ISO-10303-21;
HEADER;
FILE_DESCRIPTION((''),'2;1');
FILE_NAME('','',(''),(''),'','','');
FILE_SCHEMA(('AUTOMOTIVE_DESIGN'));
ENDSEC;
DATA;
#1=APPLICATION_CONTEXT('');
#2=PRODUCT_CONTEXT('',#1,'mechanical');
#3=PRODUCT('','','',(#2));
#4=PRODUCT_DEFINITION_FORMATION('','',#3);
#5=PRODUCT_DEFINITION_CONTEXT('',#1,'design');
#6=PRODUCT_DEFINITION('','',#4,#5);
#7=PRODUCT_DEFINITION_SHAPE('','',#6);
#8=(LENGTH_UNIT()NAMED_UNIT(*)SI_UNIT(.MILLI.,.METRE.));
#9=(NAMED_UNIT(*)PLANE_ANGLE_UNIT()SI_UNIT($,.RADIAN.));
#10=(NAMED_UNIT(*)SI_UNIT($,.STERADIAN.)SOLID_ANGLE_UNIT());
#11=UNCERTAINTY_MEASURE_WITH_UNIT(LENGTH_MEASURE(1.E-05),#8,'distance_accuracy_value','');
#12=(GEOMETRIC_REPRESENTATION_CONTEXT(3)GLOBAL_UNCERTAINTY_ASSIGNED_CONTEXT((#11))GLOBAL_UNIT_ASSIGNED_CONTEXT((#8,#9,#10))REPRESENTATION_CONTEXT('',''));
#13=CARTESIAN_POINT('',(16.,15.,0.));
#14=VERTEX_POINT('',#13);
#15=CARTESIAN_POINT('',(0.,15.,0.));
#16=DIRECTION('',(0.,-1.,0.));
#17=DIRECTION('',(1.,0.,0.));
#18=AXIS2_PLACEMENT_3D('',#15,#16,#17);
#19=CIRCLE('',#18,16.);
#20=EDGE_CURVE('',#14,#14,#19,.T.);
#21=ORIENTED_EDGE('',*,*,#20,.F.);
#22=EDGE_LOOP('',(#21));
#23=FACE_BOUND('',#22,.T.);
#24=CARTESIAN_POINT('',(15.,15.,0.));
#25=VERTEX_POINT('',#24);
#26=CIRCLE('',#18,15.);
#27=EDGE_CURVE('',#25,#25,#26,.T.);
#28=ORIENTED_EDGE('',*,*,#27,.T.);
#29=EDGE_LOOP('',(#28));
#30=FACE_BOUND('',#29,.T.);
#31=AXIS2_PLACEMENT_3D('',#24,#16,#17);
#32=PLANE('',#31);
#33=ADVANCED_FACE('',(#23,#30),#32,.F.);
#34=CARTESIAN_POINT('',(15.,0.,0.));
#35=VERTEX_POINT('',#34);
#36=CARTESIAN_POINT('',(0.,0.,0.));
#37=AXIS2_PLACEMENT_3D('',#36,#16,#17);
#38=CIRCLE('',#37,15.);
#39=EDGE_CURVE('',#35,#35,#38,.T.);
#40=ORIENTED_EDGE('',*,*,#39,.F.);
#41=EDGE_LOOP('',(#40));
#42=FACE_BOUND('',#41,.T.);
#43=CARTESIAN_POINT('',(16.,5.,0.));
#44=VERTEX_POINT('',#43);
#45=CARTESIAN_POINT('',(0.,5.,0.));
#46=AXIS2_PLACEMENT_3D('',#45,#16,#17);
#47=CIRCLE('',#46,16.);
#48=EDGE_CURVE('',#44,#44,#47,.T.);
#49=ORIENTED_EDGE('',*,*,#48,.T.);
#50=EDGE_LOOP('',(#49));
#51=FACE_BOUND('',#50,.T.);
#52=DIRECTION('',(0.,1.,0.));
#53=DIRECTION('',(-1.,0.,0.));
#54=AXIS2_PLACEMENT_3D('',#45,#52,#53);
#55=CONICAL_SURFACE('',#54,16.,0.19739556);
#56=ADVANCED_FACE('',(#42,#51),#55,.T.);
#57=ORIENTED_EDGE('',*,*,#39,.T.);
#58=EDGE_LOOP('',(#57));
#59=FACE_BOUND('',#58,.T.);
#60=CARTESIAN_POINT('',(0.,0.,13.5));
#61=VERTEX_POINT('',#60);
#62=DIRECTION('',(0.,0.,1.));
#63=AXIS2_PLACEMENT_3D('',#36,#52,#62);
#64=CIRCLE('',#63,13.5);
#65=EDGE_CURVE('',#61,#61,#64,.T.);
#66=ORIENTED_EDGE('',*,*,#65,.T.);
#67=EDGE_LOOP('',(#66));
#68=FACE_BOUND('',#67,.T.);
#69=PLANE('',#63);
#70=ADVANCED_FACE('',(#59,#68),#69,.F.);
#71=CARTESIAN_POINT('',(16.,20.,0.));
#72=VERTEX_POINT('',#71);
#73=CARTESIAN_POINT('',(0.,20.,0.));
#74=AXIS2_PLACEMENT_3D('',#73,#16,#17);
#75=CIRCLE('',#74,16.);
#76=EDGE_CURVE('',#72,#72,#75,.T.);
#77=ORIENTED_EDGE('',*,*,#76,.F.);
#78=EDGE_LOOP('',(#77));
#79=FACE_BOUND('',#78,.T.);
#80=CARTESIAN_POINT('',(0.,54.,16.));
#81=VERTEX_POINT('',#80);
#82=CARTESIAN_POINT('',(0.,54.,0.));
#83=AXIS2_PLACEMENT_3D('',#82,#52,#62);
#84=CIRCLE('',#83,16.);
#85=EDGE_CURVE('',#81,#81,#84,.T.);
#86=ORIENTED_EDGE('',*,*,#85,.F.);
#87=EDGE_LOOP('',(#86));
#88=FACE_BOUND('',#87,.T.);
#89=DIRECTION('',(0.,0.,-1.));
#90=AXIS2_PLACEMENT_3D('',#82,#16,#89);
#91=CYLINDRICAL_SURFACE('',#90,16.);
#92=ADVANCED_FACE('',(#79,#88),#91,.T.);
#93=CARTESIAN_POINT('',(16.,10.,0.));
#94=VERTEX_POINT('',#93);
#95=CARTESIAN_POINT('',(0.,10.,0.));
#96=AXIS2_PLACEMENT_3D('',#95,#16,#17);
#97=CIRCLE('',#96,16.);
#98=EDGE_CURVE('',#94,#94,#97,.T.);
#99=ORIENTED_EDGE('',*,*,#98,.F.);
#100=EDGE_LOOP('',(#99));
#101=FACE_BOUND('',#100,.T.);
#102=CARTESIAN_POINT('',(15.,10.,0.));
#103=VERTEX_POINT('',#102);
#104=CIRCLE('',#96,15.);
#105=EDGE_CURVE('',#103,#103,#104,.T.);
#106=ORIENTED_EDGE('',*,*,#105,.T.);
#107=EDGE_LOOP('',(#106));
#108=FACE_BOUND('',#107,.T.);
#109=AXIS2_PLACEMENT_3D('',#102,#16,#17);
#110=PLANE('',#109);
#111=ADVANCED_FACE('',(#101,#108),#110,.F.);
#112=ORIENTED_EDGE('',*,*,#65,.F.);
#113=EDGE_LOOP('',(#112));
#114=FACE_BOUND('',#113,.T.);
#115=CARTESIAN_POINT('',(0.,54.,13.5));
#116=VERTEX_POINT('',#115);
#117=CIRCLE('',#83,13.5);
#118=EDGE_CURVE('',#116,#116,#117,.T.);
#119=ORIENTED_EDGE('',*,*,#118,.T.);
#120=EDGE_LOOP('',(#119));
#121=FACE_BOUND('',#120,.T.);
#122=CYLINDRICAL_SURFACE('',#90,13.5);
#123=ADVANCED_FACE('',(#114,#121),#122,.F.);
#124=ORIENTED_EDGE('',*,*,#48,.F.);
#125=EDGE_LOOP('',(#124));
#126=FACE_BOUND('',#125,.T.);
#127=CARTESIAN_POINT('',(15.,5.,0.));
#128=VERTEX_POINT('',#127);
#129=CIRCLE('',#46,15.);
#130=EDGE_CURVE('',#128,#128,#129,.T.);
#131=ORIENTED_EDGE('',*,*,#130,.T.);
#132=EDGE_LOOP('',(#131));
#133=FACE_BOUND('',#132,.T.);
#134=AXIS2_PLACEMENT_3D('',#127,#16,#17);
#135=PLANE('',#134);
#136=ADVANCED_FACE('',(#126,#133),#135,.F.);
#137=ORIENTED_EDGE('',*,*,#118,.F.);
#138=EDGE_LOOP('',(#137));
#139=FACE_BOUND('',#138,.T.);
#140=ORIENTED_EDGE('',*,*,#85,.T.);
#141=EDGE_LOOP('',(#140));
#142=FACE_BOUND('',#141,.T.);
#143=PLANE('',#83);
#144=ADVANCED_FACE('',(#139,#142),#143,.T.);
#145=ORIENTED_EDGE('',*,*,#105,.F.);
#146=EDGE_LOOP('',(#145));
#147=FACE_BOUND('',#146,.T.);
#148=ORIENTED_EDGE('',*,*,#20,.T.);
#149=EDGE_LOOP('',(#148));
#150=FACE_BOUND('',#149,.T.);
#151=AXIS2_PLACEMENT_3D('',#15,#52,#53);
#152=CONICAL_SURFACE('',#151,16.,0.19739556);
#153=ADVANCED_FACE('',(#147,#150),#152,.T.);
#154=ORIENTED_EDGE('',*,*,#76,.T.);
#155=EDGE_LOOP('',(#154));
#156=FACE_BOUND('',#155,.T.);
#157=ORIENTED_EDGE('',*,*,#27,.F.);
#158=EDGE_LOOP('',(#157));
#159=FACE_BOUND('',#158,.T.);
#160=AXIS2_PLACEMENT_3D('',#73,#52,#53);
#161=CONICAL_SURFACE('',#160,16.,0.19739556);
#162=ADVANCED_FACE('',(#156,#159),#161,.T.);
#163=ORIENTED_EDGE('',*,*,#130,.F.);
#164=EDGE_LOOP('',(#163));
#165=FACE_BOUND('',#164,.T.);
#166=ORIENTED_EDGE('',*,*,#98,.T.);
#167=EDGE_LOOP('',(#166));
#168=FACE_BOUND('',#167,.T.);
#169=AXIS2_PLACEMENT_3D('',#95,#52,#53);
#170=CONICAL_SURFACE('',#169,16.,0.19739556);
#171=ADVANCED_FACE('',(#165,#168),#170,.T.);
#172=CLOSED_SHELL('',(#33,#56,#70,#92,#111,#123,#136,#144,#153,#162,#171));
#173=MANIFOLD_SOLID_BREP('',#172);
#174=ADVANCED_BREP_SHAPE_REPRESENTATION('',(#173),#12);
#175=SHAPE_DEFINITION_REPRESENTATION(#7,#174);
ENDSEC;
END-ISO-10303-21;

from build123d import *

# Parameters (mm, degrees)
SKETCH1_R           = 16
SKETCH1_R_2         = 13.5
BOSS_EXTRUDE1_DEPTH = 54


with BuildPart() as part:
    # Sketch1 → Boss-Extrude1 (new body)
    with BuildSketch(Plane(origin=(0, 0, 0), x_dir=(1, 0, 0), z_dir=(0, 1, 0))):
        Circle(SKETCH1_R)
        Circle(SKETCH1_R_2, mode=Mode.SUBTRACT)
    extrude(amount=BOSS_EXTRUDE1_DEPTH)

    # Sketch2 → Cut-Revolve2 (revolve, cut)
    with BuildSketch(Plane.XY):
        Polygon((16, 15), (16, 20), (15, 15), align=None)
        Polygon((16, 0), (16, 5), (15, 0), align=None)
        Polygon((16, 5), (16, 10), (15, 5), align=None)
        Polygon((16, 10), (16, 15), (15, 10), align=None)
    revolve(axis=Axis((0, 0, 0), (0, 1, 0)), mode=Mode.SUBTRACT)


solid = part.part
